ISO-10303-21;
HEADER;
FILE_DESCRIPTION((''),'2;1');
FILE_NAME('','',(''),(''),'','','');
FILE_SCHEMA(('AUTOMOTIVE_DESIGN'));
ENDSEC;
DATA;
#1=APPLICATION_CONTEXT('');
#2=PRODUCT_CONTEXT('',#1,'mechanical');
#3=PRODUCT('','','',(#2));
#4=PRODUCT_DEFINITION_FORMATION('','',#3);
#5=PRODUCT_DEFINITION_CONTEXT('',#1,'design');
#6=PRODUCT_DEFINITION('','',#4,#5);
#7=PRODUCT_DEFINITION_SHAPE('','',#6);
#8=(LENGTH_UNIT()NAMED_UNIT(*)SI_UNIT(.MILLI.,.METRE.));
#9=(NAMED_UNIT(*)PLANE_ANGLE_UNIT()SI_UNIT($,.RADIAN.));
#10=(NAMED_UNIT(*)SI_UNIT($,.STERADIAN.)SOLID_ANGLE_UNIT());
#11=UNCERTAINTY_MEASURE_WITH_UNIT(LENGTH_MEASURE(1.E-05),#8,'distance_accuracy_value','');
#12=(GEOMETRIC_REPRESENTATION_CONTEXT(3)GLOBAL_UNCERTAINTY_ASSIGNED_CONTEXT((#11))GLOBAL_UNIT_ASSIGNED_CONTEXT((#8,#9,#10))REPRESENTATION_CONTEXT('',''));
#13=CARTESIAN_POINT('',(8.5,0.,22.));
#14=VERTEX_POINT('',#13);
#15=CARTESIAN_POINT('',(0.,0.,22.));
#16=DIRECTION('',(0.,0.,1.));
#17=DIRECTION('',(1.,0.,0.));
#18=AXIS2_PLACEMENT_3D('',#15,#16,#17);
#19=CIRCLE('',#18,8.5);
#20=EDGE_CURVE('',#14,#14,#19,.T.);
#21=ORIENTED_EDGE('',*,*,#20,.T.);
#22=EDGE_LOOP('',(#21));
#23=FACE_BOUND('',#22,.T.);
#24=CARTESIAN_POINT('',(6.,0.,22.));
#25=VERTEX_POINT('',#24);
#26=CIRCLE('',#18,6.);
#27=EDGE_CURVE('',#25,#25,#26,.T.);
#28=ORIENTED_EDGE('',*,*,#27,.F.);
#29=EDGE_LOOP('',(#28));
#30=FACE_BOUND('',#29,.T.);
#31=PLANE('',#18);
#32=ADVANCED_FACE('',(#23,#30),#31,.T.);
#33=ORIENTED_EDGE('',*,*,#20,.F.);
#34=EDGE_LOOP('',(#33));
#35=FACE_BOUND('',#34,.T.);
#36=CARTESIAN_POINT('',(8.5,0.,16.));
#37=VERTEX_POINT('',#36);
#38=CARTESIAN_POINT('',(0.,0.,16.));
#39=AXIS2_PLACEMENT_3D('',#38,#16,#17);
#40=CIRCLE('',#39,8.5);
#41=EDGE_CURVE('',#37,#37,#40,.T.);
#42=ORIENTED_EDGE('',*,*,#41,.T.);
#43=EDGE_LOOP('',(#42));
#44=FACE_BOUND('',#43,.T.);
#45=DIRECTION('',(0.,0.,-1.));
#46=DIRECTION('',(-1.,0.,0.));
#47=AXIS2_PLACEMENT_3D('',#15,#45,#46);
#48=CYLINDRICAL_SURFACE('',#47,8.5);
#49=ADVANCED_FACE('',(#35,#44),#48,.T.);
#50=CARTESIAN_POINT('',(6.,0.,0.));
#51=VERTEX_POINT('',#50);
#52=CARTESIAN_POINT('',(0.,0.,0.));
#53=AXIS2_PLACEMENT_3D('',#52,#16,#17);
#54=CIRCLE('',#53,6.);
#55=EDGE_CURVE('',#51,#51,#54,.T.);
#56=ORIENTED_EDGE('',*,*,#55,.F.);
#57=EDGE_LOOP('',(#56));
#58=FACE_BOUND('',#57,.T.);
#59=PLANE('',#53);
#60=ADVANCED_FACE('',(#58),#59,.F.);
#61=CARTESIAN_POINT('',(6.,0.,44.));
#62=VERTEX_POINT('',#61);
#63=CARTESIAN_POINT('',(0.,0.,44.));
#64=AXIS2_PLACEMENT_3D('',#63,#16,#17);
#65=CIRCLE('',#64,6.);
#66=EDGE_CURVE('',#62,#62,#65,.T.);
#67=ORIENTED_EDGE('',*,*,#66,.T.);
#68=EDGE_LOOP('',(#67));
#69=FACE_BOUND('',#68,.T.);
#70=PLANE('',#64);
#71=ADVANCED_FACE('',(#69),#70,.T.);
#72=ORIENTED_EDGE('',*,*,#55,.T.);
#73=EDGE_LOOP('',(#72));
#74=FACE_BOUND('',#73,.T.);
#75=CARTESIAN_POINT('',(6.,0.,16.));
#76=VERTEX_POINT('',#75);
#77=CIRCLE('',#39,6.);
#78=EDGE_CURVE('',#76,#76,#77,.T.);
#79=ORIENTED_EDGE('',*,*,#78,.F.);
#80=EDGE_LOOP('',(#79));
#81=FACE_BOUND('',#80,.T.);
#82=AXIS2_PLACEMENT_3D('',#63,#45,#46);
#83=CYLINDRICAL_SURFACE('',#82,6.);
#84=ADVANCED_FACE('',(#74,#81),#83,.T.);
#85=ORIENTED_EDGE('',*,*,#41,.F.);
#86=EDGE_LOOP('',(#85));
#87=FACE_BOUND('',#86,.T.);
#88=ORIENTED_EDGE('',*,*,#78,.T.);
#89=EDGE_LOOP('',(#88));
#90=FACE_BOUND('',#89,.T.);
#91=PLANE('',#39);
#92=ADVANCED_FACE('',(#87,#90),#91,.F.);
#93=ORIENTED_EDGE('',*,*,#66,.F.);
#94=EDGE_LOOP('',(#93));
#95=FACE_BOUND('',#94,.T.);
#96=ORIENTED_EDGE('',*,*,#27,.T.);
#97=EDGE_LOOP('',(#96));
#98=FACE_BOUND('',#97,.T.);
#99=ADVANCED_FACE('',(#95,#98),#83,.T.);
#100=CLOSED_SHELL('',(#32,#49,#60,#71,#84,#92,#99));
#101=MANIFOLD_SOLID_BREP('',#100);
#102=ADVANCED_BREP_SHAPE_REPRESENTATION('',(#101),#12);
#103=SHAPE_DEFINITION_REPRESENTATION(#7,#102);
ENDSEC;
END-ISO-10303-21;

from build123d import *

# Parameters (mm, degrees)
SKETCH_1_R      = 6
EXTRUDE_1_DEPTH = 44
EXTRUDE_START   = 16
SKETCH_2_R      = 8.5
EXTRUDE_2_DEPTH = 6


with BuildPart() as part:
    # 草图1 → 凸台-拉伸1 (new body)
    with BuildSketch(Plane.XY):
        Circle(SKETCH_1_R)
    extrude(amount=EXTRUDE_1_DEPTH)

    # 草图2 → 凸台-拉伸2 (add)
    with BuildSketch(Plane.XY.offset(EXTRUDE_START)):
        Circle(SKETCH_2_R)
    extrude(amount=EXTRUDE_2_DEPTH)


solid = part.part
